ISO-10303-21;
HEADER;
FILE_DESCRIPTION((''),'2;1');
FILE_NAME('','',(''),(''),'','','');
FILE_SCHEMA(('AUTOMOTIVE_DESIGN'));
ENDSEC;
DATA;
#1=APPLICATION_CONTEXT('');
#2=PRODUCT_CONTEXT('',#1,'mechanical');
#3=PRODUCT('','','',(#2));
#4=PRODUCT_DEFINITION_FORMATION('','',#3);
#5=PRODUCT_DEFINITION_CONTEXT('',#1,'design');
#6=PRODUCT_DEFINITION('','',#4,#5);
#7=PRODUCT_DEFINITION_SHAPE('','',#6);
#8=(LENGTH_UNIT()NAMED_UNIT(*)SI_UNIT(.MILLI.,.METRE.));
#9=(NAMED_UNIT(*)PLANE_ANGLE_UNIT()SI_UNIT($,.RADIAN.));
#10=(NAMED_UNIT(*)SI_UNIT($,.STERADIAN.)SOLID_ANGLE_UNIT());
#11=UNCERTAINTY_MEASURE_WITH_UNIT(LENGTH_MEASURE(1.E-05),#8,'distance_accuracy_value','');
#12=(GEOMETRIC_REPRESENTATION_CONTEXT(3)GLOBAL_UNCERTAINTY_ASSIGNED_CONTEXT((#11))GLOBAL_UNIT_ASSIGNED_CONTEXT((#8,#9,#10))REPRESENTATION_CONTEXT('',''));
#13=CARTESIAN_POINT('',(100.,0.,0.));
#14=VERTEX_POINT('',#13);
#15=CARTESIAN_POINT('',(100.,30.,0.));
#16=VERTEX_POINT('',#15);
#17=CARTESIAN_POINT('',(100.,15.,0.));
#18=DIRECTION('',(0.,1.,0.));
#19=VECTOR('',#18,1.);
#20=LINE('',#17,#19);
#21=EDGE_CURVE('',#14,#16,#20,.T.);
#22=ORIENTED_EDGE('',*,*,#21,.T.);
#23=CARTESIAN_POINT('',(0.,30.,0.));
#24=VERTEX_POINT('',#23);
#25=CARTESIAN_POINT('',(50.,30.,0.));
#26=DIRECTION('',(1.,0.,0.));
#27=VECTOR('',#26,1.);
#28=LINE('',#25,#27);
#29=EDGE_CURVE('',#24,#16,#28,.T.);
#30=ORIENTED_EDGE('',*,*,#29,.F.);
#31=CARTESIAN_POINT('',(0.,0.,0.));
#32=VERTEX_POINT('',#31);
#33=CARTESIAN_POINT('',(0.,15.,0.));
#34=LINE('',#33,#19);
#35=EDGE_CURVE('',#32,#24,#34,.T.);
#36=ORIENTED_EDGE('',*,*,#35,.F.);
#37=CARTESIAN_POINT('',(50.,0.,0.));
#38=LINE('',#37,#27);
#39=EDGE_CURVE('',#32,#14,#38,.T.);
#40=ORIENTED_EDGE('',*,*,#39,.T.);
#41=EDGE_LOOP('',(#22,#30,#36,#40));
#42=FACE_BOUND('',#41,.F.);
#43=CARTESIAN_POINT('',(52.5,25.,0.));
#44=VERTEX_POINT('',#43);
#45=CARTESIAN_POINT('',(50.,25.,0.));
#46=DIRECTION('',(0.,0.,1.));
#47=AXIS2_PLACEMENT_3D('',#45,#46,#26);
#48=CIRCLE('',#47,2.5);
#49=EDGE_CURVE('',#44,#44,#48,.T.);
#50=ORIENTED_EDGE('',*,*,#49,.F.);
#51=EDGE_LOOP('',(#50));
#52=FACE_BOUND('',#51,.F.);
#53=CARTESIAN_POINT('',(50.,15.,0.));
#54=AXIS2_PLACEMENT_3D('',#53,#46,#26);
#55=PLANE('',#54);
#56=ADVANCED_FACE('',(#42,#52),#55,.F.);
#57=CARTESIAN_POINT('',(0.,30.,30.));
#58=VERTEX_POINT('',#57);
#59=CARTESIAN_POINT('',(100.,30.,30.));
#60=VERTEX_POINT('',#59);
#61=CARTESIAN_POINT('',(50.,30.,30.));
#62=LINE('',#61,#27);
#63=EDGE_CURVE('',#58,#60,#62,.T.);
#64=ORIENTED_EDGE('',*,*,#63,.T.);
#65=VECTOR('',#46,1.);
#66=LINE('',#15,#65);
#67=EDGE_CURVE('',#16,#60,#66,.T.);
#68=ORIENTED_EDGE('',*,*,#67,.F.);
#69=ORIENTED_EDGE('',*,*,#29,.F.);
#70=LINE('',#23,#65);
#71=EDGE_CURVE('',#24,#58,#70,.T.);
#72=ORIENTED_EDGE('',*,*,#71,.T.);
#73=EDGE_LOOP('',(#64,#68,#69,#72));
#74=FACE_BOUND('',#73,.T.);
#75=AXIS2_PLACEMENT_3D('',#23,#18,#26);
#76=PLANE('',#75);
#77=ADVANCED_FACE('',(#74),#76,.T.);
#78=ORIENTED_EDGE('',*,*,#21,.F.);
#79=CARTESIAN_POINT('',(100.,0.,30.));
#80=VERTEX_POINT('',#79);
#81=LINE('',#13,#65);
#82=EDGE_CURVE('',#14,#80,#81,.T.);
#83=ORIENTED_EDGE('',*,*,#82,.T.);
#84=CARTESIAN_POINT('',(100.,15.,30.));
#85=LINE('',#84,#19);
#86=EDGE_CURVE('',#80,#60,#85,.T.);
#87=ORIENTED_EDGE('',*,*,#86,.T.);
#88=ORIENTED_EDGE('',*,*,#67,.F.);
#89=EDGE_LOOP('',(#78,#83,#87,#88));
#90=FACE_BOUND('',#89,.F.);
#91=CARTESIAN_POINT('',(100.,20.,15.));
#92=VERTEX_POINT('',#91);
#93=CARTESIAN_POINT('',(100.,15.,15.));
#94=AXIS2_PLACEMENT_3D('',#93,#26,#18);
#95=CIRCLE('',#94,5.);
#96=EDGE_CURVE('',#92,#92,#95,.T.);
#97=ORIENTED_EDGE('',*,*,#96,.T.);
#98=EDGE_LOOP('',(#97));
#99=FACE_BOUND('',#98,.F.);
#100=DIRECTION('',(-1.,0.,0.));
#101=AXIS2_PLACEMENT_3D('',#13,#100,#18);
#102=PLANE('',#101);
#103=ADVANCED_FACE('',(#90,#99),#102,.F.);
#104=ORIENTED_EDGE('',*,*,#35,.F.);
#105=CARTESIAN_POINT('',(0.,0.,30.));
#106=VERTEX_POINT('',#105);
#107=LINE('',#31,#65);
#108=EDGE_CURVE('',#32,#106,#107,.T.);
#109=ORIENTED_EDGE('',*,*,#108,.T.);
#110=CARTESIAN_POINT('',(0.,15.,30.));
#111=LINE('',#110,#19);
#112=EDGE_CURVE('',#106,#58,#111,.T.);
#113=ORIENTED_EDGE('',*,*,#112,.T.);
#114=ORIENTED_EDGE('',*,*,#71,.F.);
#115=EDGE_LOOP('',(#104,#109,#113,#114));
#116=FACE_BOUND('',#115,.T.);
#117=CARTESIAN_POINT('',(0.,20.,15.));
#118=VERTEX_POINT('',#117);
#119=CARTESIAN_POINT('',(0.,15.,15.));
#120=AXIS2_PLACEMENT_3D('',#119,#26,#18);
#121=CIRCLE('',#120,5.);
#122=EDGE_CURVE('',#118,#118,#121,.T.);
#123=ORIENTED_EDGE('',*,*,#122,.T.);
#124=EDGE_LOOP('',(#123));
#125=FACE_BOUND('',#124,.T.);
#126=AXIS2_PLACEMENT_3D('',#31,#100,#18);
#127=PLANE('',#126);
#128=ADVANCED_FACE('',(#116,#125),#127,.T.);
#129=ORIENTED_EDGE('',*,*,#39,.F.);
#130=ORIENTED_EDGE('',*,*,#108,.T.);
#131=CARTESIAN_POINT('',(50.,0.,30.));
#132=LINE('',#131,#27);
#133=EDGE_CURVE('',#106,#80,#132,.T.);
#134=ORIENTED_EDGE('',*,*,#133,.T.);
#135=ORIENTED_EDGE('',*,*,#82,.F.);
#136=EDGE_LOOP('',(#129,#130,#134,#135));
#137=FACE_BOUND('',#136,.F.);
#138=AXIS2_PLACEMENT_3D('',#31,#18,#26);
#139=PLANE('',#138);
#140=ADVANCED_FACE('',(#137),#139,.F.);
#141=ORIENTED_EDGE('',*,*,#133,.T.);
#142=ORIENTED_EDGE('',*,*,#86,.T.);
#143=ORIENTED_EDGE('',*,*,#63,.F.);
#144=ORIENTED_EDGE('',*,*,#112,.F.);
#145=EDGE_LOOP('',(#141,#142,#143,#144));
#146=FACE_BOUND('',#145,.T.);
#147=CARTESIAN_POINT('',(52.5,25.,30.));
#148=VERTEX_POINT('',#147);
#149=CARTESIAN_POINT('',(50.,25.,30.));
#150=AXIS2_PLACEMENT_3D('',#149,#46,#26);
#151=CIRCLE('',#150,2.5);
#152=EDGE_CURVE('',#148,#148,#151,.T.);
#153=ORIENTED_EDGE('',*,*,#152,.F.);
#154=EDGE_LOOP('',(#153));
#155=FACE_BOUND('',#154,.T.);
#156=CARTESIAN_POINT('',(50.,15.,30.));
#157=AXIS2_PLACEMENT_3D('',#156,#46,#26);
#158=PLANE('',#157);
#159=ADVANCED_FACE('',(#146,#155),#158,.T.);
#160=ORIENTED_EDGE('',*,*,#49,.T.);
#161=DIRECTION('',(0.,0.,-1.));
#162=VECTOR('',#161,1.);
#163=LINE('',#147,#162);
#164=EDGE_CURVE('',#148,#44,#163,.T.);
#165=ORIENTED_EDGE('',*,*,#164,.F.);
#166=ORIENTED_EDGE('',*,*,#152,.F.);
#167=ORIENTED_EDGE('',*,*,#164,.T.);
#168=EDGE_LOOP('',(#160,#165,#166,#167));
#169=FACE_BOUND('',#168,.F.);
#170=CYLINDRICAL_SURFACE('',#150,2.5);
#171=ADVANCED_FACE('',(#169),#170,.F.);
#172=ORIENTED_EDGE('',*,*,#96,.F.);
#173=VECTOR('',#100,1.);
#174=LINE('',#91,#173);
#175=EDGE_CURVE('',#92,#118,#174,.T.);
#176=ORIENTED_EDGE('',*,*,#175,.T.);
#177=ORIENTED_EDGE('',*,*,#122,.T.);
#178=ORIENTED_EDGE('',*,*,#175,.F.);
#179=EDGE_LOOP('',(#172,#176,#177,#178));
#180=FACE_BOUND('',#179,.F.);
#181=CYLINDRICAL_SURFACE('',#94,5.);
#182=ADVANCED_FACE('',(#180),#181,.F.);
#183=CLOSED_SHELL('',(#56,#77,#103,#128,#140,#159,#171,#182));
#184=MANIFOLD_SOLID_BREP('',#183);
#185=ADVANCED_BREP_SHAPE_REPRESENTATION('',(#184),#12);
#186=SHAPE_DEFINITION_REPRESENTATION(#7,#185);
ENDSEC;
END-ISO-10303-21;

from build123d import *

# Parameters (mm, degrees)
F0_W     = 100
F0_H     = 30
F1_DEPTH = 30
F2_R     = 2.5
F3_DEPTH = 30
F4_R     = 5
F5_DEPTH = 100


with BuildPart() as f1:
    # F0 (on Top) → F1 (new body)
    with BuildSketch(Plane.XY):
        with Locations((50, 15)):
            Rectangle(F0_W, F0_H)
    extrude(amount=F1_DEPTH)

    # F2 (on face) → F3 (cut)
    with BuildSketch(Plane.XY.offset(30)):
        with Locations((50, 25)):
            Circle(F2_R)
    extrude(amount=-F3_DEPTH, mode=Mode.SUBTRACT)

    # F4 (on face) → F5 (cut)
    with BuildSketch(Plane.YZ.offset(100)):
        with Locations((15, 15)):
            Circle(F4_R)
    extrude(amount=-F5_DEPTH, mode=Mode.SUBTRACT)


solid = f1.part
